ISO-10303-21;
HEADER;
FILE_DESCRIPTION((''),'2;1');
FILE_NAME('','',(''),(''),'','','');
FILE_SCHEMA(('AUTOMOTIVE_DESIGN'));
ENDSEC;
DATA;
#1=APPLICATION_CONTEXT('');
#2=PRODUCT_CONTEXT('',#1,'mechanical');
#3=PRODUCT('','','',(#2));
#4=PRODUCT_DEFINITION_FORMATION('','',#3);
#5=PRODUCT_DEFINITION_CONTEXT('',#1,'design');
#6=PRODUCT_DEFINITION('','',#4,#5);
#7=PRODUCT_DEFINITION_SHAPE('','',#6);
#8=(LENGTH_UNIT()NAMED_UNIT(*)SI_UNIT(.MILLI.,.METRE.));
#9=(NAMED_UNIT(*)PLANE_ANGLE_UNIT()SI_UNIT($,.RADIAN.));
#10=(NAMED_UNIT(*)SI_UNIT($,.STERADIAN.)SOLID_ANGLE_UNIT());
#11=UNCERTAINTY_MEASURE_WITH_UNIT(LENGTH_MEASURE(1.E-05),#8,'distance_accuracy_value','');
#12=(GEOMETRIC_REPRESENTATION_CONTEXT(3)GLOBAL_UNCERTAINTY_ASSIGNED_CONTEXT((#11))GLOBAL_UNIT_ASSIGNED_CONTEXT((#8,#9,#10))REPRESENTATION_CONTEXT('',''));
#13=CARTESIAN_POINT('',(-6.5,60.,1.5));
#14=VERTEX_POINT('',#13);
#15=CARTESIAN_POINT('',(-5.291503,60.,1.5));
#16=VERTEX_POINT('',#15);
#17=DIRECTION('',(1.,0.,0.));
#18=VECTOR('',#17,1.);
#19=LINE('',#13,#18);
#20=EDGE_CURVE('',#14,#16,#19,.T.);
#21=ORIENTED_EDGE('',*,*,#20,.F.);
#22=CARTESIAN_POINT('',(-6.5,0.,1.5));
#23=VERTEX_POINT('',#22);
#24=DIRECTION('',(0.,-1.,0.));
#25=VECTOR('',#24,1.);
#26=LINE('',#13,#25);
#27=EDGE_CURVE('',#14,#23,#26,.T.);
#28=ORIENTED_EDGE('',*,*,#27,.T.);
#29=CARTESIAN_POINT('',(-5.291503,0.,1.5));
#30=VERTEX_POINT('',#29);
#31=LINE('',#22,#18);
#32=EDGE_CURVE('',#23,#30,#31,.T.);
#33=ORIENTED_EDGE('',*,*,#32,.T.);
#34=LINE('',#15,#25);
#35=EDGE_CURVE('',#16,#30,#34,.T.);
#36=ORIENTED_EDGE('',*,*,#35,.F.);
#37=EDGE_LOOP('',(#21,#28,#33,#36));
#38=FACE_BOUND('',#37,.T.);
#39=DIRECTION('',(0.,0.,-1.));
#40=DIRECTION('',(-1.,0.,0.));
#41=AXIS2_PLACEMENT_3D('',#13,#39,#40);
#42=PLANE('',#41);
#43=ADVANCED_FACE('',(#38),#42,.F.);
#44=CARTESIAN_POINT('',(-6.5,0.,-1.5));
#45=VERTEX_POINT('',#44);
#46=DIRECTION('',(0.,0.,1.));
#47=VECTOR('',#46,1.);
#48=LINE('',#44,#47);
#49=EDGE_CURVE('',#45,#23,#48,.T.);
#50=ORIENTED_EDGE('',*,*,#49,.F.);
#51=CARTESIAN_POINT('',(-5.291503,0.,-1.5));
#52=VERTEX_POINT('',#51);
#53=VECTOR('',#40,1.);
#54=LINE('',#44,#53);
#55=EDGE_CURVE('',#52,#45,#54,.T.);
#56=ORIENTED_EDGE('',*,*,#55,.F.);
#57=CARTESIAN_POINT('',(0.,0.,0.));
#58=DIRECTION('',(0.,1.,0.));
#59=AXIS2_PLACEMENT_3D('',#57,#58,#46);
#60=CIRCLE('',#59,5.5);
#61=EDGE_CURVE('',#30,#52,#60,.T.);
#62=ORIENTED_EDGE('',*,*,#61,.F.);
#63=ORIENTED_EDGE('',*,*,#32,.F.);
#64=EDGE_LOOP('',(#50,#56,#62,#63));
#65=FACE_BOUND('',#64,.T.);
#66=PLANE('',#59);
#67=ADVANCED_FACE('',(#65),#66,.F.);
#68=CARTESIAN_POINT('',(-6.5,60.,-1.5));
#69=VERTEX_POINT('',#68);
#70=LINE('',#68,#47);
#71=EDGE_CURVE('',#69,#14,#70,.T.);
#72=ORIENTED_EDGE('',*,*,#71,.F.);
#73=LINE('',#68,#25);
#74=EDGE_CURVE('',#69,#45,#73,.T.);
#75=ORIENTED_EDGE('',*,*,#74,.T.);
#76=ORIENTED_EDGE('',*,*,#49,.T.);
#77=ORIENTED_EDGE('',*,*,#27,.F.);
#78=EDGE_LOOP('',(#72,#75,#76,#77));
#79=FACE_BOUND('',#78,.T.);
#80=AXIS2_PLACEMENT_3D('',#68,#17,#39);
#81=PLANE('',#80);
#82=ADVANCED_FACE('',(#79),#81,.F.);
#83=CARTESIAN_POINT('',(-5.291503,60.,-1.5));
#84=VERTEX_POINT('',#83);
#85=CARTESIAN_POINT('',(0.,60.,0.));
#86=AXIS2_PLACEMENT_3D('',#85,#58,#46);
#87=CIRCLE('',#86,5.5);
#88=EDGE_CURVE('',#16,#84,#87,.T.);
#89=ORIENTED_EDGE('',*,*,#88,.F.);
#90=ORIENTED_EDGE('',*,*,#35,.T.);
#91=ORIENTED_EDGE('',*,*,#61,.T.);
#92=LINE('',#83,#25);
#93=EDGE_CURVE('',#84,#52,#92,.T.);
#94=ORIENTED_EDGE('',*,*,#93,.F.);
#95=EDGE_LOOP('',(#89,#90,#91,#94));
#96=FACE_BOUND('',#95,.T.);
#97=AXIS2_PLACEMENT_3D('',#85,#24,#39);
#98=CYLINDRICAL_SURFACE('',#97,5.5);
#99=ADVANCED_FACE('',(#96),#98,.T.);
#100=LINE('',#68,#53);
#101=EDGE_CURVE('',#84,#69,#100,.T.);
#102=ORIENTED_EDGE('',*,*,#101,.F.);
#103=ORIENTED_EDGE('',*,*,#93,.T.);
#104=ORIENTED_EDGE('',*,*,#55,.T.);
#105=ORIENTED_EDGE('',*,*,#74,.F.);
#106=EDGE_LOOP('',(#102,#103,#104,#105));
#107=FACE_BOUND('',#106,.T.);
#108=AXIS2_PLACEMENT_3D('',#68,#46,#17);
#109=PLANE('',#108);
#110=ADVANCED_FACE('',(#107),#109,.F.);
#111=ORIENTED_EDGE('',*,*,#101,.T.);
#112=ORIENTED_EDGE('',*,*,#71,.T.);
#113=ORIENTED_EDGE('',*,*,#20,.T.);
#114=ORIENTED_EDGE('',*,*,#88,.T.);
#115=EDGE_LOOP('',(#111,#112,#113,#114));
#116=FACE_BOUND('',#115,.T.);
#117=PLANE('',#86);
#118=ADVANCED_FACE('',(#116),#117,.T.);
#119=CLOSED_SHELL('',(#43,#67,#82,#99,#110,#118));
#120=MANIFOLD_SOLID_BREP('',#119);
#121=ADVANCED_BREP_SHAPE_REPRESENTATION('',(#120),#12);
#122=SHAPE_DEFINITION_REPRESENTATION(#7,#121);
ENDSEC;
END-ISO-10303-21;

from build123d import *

# Parameters (mm, degrees)
BOSS_EXTRUDE1_DEPTH = 60


with BuildPart() as part:
    # Sketch1 → Boss-Extrude1 (new body)
    with BuildSketch(Plane(origin=(0, 0, 0), x_dir=(1, 0, 0), z_dir=(0, 1, 0))):
        with BuildLine():
            Line((-6.5, 1.5), (-5.291502622, 1.5))
            ThreePointArc((-5.291502622, 1.5), (5.5, 0), (-5.291502622, -1.5))
            Line((-5.291502622, -1.5), (-6.5, -1.5))
            Line((-6.5, -1.5), (-6.5, 1.5))
        make_face()
    extrude(amount=BOSS_EXTRUDE1_DEPTH)


solid = part.part
